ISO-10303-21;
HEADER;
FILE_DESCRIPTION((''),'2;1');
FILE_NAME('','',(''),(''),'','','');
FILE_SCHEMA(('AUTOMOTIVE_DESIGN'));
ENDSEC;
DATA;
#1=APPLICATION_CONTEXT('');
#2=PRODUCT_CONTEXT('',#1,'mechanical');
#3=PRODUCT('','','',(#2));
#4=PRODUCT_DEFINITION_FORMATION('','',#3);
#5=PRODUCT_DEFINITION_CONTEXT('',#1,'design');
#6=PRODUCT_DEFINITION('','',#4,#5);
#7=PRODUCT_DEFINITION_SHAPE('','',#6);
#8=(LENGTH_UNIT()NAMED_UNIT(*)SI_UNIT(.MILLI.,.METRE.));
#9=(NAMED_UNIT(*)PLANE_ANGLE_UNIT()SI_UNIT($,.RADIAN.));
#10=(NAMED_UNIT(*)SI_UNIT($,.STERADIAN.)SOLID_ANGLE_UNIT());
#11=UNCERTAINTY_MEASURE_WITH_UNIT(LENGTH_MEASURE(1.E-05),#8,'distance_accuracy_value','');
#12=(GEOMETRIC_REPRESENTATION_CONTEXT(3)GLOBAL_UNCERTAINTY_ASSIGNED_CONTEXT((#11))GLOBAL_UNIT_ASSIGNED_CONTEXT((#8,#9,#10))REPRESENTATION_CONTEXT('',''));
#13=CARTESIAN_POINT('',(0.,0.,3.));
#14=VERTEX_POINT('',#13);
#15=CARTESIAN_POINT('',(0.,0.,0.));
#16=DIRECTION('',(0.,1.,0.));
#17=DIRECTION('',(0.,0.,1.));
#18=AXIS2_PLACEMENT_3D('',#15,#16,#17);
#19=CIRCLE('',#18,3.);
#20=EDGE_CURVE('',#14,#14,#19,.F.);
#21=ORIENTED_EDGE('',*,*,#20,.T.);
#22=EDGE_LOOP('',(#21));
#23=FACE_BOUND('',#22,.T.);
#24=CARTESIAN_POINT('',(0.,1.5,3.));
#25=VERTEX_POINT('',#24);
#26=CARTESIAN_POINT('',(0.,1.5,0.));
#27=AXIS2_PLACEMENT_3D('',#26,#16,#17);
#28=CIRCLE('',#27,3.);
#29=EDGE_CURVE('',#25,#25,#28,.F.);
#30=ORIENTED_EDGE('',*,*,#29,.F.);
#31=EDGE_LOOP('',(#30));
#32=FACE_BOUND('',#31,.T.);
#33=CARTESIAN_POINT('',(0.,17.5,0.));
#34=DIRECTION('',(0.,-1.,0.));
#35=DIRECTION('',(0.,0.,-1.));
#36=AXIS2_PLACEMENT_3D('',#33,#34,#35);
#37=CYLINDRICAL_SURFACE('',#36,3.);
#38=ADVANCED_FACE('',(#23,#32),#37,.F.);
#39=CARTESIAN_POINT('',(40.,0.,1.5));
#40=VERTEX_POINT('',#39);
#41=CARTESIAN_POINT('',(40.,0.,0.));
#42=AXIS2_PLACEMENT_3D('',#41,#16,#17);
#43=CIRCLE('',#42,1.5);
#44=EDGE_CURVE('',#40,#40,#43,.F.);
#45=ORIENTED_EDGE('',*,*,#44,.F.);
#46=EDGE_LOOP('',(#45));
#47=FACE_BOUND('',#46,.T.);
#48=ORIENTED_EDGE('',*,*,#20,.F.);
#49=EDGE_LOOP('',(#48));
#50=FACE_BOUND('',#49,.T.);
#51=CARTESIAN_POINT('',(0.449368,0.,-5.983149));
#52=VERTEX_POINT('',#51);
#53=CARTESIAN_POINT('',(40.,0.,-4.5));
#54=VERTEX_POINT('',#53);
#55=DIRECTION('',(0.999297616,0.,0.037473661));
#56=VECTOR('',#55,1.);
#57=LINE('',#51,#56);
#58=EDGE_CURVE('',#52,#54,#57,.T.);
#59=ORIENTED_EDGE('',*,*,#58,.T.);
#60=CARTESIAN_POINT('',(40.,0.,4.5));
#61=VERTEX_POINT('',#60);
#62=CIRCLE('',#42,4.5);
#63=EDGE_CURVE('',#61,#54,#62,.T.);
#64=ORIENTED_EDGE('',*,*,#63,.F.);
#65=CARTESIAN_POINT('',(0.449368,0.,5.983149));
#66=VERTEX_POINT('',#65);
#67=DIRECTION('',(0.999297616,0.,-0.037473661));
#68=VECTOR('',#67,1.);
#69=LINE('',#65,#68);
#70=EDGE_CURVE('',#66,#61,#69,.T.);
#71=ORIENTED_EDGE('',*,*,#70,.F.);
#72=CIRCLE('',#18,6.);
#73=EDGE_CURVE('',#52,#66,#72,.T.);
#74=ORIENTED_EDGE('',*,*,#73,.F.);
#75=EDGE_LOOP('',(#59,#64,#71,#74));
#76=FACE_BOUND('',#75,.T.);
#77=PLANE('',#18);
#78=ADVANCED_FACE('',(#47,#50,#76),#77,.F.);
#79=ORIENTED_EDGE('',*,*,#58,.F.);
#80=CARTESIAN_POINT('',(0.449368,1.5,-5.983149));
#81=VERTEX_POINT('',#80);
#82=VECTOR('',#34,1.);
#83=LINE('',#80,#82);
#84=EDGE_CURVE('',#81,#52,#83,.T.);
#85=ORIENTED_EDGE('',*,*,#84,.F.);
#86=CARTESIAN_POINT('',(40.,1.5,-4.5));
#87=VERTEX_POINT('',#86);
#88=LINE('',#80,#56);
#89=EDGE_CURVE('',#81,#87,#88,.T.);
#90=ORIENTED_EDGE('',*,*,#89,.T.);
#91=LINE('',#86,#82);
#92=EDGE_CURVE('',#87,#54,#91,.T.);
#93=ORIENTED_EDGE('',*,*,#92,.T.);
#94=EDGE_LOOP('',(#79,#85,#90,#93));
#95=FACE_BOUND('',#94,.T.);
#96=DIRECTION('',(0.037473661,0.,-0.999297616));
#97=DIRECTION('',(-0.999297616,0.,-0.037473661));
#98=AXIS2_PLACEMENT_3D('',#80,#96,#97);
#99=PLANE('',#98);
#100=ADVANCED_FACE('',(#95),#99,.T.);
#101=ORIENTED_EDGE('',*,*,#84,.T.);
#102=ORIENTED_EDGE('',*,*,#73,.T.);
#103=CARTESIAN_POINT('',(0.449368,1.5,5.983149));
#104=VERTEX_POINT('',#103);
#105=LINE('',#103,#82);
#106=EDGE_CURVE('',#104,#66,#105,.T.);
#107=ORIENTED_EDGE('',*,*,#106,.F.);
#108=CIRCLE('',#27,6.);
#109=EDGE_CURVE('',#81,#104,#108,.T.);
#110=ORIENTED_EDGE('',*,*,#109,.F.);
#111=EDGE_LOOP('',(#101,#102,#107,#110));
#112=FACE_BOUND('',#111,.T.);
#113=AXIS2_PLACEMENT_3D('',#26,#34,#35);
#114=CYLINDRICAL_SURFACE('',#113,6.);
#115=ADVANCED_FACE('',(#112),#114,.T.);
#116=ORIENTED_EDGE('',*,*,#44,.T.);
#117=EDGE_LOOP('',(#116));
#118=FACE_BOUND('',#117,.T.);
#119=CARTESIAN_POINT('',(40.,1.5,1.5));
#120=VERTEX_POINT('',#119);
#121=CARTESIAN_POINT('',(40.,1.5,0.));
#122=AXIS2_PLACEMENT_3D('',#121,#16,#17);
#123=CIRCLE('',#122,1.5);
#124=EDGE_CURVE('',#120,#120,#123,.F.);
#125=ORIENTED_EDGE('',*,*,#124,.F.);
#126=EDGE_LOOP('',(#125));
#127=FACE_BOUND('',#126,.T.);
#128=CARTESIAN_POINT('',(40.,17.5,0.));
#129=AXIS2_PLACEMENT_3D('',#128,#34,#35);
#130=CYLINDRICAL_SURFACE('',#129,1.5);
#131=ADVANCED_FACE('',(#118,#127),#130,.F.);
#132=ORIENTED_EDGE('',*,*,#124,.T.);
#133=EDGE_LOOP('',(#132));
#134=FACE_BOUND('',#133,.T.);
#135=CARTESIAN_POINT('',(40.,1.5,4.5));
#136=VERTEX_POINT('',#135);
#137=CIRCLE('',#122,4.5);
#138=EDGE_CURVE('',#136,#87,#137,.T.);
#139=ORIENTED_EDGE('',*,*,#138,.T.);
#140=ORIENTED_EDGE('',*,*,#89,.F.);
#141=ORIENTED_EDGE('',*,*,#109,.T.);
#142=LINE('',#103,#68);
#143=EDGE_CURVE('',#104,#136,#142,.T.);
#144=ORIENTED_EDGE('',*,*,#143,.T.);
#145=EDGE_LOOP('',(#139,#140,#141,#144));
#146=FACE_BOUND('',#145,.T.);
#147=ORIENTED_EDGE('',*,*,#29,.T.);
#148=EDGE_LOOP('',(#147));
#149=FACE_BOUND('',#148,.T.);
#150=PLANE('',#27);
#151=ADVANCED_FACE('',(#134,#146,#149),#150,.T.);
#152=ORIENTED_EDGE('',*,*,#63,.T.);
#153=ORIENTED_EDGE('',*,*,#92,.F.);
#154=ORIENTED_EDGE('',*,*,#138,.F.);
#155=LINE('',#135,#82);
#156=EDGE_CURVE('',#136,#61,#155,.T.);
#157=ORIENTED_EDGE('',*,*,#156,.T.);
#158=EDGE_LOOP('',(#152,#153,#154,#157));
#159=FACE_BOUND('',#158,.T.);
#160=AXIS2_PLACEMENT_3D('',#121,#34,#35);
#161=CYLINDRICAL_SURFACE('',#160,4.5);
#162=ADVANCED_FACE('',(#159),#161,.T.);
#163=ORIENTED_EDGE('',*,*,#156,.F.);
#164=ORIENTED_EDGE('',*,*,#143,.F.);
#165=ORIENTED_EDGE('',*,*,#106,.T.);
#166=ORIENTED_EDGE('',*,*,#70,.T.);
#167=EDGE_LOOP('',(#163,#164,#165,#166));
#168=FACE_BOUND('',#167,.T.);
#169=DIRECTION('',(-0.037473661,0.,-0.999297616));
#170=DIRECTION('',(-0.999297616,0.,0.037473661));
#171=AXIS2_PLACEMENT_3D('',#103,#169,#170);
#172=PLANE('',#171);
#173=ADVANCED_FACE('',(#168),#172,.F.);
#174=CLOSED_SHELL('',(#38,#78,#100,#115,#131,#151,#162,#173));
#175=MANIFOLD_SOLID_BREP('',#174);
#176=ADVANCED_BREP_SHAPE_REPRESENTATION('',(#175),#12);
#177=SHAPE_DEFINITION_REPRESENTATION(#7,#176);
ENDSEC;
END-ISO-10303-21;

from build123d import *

# Parameters (mm, degrees)
BOSS_EXTRUDE1_DEPTH     = 1.5
CUT_EXTRUDE1_DEPTH      = 16
CUT_EXTRUDE1_DEPTH_BACK = 10.5
SKETCH2_R               = 3
SKETCH2_R_2             = 1.5


with BuildPart() as part:
    # Sketch1 → Boss-Extrude1 (new body)
    with BuildSketch(Plane(origin=(0, 0, 0), x_dir=(1, 0, 0), z_dir=(0, 1, 0))):
        with BuildLine():
            Line((0.449368076, 5.983148697), (40, 4.5))
            ThreePointArc((40, 4.5), (44.5, 0), (40, -4.5))
            Line((40, -4.5), (0.449368076, -5.983148697))
            ThreePointArc((0.449368076, -5.983148697), (-6, 0), (0.449368076, 5.983148697))
        make_face()
    extrude(amount=BOSS_EXTRUDE1_DEPTH)

    # Sketch2 → Cut-Extrude1 (cut, two sides: drawn at the far end of the back side and taken through both)
    with BuildSketch(Plane(origin=(0, 1.5, 0), x_dir=(1, 0, 0), z_dir=(0, 1, 0)).offset(-CUT_EXTRUDE1_DEPTH_BACK)):
        with Locations(Location((0, 0, 0), (0, 0, 270))):
            Circle(SKETCH2_R)
        with Locations(Location((40, 0, 0), (0, 0, 270))):
            Circle(SKETCH2_R_2)
    extrude(amount=CUT_EXTRUDE1_DEPTH + CUT_EXTRUDE1_DEPTH_BACK, mode=Mode.SUBTRACT)


solid = part.part
